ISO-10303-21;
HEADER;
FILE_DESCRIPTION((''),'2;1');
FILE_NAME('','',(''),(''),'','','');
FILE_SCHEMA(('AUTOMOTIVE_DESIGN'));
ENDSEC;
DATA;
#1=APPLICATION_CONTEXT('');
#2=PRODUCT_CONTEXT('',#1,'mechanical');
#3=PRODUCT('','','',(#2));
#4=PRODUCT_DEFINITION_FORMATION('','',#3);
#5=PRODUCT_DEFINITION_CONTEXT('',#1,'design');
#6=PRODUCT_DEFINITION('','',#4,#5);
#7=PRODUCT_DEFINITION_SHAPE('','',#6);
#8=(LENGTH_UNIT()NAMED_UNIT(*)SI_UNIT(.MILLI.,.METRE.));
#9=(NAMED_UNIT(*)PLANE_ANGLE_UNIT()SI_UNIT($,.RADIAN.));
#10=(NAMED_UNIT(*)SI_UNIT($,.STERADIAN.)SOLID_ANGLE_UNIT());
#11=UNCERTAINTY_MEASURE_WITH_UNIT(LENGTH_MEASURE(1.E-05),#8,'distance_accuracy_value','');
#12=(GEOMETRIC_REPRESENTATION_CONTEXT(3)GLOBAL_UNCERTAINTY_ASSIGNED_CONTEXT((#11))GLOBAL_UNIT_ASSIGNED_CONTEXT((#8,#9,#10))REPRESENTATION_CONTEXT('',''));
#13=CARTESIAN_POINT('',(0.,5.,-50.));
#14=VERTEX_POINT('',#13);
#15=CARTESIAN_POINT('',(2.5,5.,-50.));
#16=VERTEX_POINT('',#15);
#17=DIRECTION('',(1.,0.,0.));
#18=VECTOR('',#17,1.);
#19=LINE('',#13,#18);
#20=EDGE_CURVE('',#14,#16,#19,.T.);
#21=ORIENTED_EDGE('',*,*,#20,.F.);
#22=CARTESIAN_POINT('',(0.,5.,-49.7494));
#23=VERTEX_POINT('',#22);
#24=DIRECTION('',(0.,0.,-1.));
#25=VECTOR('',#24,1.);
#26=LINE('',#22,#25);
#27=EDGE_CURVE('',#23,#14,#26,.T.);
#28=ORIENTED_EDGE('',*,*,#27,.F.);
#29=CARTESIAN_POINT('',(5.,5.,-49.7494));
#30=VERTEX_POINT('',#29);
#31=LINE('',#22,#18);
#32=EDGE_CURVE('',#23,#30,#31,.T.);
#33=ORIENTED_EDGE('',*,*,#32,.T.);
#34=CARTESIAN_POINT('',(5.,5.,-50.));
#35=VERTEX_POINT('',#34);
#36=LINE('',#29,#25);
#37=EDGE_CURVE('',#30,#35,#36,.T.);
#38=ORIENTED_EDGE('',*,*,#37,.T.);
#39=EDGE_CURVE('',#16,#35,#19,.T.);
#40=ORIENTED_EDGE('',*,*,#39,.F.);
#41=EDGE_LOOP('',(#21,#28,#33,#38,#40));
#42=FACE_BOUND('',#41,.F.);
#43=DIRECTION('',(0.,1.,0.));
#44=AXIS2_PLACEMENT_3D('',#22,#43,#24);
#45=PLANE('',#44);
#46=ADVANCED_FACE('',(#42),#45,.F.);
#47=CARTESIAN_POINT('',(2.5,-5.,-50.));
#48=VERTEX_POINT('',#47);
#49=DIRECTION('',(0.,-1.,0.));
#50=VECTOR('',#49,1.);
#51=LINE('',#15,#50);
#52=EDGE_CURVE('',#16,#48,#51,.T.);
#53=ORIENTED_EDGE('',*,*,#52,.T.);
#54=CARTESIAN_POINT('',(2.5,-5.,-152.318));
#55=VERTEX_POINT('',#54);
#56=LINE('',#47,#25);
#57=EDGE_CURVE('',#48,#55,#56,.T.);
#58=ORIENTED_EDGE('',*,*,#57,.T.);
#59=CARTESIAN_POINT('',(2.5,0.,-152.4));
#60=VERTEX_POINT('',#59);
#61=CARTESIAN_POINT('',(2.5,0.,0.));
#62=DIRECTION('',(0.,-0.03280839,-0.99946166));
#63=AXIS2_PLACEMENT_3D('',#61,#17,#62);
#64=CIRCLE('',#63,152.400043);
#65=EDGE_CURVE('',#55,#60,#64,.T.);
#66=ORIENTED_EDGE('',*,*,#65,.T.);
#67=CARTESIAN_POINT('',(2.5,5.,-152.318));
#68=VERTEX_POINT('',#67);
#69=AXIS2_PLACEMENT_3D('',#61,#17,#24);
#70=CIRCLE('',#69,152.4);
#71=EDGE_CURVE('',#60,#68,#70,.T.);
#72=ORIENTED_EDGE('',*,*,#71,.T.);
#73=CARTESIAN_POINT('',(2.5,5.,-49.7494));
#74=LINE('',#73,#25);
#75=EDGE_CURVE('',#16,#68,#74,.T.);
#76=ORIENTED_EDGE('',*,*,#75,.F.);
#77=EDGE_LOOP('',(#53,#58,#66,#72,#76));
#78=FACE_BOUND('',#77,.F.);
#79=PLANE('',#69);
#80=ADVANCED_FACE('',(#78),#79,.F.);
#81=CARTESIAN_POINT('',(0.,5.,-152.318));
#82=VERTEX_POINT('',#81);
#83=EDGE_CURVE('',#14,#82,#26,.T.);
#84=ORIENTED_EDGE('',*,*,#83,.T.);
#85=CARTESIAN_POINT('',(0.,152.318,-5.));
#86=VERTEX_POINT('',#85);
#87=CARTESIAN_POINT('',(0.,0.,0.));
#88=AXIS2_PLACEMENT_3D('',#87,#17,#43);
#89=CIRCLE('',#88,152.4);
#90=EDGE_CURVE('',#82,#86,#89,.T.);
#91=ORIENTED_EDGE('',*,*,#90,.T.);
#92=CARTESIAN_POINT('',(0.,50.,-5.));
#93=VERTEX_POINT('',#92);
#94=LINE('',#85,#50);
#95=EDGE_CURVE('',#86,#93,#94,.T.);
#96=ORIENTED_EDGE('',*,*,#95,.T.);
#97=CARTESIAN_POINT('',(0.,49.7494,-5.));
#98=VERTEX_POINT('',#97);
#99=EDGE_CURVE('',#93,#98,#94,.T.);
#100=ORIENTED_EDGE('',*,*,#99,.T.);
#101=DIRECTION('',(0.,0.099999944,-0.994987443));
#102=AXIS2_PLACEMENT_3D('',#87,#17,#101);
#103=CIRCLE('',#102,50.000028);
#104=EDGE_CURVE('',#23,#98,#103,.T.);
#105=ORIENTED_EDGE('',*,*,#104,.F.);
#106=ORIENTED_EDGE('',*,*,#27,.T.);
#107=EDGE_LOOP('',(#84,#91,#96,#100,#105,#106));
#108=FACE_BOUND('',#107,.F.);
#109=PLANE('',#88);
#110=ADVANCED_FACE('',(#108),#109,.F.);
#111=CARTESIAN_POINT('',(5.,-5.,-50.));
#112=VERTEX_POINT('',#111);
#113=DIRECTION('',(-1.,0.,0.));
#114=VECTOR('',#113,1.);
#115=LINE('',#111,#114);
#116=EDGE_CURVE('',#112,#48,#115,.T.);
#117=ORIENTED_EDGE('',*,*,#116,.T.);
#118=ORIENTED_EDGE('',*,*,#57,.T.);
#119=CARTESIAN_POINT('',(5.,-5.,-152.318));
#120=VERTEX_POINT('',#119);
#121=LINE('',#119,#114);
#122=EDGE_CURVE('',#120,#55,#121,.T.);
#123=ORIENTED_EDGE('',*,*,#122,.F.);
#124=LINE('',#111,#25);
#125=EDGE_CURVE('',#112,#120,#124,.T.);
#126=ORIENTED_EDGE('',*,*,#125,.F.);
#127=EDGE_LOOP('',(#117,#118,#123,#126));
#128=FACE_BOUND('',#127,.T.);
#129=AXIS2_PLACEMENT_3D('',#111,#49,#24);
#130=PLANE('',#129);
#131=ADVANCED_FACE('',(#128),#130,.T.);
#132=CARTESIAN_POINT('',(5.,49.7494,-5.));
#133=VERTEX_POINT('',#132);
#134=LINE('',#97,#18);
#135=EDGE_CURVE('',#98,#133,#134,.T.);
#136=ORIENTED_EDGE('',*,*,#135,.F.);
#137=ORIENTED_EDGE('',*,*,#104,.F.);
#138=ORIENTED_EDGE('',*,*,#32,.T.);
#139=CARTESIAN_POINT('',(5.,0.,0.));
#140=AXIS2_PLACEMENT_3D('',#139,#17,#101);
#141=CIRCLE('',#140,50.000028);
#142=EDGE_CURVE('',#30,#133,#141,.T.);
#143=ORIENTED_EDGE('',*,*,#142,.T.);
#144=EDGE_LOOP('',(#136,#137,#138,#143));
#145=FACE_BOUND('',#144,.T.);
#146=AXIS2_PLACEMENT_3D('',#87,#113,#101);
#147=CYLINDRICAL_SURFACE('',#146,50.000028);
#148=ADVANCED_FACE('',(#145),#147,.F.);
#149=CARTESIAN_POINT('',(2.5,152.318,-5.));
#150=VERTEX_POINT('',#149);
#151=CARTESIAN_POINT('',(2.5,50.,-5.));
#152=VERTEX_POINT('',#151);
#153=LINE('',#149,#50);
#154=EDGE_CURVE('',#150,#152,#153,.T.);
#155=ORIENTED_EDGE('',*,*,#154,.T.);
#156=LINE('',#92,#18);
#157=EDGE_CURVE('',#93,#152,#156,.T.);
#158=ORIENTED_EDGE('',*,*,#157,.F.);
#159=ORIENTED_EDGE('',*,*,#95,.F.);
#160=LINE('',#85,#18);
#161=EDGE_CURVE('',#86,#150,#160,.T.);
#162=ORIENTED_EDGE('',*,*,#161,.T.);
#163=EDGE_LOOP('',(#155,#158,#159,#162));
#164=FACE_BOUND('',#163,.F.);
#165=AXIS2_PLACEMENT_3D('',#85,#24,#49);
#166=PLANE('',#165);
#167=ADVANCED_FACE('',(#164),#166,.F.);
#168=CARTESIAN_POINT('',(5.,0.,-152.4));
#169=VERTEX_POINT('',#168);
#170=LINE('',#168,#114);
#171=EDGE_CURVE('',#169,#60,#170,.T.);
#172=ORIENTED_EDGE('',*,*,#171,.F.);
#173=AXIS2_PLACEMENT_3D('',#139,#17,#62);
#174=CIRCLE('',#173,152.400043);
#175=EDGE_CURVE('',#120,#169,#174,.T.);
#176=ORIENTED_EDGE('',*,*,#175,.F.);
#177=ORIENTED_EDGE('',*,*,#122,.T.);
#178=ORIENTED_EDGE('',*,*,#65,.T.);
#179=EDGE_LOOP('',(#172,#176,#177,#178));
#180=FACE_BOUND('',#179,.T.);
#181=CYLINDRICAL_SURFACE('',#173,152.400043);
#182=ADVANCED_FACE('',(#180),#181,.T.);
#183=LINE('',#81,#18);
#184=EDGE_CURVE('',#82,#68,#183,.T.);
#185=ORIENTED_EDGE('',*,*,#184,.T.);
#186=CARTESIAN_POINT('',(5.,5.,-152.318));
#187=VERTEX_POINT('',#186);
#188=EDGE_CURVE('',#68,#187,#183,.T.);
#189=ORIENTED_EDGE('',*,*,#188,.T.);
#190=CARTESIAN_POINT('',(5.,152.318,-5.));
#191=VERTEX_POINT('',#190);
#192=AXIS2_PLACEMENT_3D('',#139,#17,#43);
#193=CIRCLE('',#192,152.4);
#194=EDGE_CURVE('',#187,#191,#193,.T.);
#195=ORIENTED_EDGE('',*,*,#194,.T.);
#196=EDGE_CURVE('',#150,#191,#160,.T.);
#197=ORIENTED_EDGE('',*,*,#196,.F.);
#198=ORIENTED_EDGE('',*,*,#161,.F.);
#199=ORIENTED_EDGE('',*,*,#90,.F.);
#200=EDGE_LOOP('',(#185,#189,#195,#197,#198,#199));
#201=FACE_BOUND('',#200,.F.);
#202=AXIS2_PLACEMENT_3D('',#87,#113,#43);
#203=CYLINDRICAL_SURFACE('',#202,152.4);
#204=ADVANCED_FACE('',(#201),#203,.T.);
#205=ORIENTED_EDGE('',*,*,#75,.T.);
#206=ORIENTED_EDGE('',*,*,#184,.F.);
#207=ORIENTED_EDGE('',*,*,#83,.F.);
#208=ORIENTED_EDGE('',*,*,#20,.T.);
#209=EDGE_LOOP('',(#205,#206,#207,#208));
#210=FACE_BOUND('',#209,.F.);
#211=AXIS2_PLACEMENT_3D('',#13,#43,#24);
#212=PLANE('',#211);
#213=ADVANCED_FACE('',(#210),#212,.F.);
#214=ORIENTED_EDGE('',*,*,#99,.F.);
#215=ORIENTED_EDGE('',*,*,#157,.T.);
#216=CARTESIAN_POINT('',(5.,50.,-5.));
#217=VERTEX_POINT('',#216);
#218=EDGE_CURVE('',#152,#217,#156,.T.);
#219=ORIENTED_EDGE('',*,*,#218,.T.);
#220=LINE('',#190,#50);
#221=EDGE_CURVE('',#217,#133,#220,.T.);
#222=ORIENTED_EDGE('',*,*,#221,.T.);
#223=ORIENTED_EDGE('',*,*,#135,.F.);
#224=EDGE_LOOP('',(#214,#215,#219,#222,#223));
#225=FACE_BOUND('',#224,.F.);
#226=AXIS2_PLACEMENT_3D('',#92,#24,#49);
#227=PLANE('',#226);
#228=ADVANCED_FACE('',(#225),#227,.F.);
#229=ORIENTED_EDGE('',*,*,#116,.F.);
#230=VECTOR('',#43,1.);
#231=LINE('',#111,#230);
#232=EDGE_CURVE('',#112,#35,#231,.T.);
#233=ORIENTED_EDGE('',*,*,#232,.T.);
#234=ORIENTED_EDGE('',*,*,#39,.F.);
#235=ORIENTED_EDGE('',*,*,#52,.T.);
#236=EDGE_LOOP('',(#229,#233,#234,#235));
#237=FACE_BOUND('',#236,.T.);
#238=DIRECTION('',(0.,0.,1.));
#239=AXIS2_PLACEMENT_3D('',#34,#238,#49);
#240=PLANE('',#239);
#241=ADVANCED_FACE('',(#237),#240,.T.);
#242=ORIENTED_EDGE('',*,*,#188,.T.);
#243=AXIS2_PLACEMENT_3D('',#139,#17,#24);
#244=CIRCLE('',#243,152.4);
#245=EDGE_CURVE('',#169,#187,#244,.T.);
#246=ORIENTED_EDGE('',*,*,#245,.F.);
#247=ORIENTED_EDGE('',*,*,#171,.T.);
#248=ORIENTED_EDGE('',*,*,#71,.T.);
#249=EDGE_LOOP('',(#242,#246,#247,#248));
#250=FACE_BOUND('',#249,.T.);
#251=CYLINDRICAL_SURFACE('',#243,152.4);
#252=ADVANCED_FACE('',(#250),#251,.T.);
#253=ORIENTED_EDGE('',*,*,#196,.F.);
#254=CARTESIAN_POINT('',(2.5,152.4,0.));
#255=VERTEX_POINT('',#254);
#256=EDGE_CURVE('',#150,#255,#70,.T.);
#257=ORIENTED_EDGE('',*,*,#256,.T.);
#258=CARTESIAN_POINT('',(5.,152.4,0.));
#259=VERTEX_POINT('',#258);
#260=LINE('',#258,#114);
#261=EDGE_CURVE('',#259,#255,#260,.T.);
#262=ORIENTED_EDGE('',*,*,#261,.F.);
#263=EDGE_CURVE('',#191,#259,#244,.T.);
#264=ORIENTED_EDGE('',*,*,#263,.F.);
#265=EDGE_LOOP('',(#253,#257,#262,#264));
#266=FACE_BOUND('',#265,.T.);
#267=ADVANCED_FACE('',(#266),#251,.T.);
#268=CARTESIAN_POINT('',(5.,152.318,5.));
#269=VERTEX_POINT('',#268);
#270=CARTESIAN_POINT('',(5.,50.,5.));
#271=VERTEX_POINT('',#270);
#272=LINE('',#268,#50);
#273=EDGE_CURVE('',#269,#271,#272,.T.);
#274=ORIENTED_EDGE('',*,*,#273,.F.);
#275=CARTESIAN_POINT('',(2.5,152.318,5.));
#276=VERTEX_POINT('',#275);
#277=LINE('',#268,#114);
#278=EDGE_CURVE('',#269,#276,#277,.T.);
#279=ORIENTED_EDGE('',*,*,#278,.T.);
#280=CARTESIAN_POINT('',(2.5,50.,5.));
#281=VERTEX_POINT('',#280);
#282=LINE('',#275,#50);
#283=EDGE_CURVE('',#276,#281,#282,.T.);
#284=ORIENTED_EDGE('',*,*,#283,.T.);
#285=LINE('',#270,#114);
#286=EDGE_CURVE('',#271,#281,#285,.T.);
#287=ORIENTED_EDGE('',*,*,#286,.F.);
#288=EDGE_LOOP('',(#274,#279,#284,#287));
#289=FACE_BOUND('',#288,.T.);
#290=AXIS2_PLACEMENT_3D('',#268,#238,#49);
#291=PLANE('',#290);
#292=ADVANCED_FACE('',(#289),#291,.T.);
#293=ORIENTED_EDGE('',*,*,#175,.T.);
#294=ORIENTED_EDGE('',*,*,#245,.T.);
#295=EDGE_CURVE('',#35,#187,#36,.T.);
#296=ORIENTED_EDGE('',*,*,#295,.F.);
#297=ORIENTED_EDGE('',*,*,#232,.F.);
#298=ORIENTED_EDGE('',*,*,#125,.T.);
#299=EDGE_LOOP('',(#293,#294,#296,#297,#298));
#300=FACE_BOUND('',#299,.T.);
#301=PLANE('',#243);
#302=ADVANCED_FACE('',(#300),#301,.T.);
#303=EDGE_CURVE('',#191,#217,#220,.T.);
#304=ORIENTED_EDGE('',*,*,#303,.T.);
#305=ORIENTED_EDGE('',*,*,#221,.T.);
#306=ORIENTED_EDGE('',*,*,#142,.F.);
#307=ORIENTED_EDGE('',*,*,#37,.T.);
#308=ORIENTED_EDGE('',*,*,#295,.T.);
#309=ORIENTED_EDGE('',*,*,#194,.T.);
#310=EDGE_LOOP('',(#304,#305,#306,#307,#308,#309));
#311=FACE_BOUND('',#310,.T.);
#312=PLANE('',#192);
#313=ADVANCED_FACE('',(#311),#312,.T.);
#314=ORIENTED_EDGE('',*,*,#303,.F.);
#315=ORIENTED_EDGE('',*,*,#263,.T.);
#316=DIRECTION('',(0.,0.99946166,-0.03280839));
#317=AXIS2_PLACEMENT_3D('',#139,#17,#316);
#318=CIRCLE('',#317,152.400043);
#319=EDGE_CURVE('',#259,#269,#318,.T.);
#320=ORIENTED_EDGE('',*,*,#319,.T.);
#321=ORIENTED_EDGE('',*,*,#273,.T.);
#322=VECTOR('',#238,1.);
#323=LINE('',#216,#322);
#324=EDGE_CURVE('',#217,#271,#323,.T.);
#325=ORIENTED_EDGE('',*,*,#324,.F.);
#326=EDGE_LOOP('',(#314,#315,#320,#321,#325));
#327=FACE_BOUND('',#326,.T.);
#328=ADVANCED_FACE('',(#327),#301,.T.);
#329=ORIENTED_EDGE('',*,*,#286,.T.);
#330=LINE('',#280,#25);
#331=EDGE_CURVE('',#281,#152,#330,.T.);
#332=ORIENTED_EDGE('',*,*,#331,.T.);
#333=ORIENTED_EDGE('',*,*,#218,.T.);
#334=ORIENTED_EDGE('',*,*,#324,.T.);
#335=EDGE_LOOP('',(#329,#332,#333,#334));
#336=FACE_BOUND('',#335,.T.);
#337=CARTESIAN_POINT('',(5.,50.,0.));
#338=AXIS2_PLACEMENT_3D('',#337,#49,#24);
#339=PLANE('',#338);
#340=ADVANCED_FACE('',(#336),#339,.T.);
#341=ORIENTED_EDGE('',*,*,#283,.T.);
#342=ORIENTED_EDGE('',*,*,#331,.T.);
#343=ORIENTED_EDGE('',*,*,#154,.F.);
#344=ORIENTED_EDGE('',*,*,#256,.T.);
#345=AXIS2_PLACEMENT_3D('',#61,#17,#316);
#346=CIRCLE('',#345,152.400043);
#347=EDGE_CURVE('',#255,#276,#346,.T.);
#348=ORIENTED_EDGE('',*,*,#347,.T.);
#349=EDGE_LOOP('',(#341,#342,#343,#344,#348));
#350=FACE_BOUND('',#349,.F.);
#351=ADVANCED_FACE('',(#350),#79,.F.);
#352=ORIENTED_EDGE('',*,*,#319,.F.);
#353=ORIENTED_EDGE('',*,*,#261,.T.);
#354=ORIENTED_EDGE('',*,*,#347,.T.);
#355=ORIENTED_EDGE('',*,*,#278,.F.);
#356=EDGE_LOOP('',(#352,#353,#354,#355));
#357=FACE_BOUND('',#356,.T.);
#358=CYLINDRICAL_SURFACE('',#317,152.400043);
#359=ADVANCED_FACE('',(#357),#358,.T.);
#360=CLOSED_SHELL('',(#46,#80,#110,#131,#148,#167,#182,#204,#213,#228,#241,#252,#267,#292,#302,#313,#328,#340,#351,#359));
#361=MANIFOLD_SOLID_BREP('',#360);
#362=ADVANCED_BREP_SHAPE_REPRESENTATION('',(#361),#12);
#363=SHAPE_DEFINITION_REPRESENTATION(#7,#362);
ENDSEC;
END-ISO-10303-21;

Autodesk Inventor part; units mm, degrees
ref_plane "YZ Plane" through (0, 0, 0) normal (1, 0, 0) x (0, 1, 0)
ref_plane "XZ Plane" through (0, 0, 0) normal (0, 1, 0) x (-1, 0, 0)
ref_plane "XY Plane" through (0, 0, 0) normal (0, 0, 1) x (1, 0, 0)
sketch "Sketch1" plane through (0, 0, 0) normal (1, 0, 0) x (0, 1, 0)
  line L0 (152.4, 0) -> (152.4, -152.4)
  line L1 (152.4, -152.4) -> (0, -152.4)
  circle A0 centre (0, 0) radius 152.4
  arc A1 (0, -152.4) -> (152.4, 0) centre (0, 0) ccw
  line L2 (152.318, 5) -> (50, 5)
  line L3 (50, -5) -> (50, 5)
  line L4 (152.318, -5) -> (49.7494, -5)
  line L5 (5, -49.7494) -> (5, -152.318)
  line L6 (-5, -50) -> (-5, -152.318)
  line L7 (5, -50) -> (-5, -50)
  arc A2 (50, 0) -> (0, -50) centre (0, 0) ccw
  arc A3 (5, -49.7494) -> (49.7494, -5) centre (0, 0) ccw
  dimension "d7" = 152.4
  dimension "d8" = 50
  dimension "d9" = 50
  dimension "d10" = 147.4
  dimension "d11" = 157.4
  dimension "d12" = 10
  dimension "d13" = 157.4
  dimension "d14" = 147.4
extrude "Extrusion1" add sketch "Sketch1" along normal blind 5 contours A0 L5 A3 L4
sketch "Sketch2" plane through (5, 0, 0) normal (1, 0, 0) x (0, 0, -1)
  line L0 (49.7494, 5) -> (152.318, 5) projected
  line L1 (50, 5) -> (50, -5)
  line L2 (0, 152.4) -> (0, 0)
  line L3 (5, 152.318) -> (5, 49.7494) projected
  line L4 (0, 0) -> (152.4, 0)
  arc A0 (152.4, 0) -> (0, 152.4) centre (0, 0) ccw
  arc A1 (152.318, 5) -> (5, 152.318) centre (0, 0) ccw projected
  line L5 (50, -5) -> (152.318, -5)
  arc A2 (152.318, -5) -> (152.318, 5) centre (0, 0) ccw
  line L6 (-5, 50) -> (5, 50)
  line L7 (5, 50) -> (5, 152.318)
  arc A3 (5, 152.318) -> (-5, 152.318) centre (0, 0) ccw
  line L8 (-5, 152.318) -> (-5, 50)
  arc A4 (49.7494, 5) -> (5, 49.7494) centre (0, 0) ccw
  arc A5 (0, 50) -> (50, 0) centre (0, 0) ccw
  point P0 (0, 152.4)
  dimension "d18" = 10
  dimension "d19" = 152.4
  dimension "d20" = 152.4
  dimension "d23" = 90
  dimension "d25" = 152.4
extrude "Extrusion2" add sketch "Sketch2" against normal blind 2.5 contours L0 A0 L4 L1 | L4 A2 L5 L1 | L6 L2 A0 L3 | L6 L8 A3 L2
